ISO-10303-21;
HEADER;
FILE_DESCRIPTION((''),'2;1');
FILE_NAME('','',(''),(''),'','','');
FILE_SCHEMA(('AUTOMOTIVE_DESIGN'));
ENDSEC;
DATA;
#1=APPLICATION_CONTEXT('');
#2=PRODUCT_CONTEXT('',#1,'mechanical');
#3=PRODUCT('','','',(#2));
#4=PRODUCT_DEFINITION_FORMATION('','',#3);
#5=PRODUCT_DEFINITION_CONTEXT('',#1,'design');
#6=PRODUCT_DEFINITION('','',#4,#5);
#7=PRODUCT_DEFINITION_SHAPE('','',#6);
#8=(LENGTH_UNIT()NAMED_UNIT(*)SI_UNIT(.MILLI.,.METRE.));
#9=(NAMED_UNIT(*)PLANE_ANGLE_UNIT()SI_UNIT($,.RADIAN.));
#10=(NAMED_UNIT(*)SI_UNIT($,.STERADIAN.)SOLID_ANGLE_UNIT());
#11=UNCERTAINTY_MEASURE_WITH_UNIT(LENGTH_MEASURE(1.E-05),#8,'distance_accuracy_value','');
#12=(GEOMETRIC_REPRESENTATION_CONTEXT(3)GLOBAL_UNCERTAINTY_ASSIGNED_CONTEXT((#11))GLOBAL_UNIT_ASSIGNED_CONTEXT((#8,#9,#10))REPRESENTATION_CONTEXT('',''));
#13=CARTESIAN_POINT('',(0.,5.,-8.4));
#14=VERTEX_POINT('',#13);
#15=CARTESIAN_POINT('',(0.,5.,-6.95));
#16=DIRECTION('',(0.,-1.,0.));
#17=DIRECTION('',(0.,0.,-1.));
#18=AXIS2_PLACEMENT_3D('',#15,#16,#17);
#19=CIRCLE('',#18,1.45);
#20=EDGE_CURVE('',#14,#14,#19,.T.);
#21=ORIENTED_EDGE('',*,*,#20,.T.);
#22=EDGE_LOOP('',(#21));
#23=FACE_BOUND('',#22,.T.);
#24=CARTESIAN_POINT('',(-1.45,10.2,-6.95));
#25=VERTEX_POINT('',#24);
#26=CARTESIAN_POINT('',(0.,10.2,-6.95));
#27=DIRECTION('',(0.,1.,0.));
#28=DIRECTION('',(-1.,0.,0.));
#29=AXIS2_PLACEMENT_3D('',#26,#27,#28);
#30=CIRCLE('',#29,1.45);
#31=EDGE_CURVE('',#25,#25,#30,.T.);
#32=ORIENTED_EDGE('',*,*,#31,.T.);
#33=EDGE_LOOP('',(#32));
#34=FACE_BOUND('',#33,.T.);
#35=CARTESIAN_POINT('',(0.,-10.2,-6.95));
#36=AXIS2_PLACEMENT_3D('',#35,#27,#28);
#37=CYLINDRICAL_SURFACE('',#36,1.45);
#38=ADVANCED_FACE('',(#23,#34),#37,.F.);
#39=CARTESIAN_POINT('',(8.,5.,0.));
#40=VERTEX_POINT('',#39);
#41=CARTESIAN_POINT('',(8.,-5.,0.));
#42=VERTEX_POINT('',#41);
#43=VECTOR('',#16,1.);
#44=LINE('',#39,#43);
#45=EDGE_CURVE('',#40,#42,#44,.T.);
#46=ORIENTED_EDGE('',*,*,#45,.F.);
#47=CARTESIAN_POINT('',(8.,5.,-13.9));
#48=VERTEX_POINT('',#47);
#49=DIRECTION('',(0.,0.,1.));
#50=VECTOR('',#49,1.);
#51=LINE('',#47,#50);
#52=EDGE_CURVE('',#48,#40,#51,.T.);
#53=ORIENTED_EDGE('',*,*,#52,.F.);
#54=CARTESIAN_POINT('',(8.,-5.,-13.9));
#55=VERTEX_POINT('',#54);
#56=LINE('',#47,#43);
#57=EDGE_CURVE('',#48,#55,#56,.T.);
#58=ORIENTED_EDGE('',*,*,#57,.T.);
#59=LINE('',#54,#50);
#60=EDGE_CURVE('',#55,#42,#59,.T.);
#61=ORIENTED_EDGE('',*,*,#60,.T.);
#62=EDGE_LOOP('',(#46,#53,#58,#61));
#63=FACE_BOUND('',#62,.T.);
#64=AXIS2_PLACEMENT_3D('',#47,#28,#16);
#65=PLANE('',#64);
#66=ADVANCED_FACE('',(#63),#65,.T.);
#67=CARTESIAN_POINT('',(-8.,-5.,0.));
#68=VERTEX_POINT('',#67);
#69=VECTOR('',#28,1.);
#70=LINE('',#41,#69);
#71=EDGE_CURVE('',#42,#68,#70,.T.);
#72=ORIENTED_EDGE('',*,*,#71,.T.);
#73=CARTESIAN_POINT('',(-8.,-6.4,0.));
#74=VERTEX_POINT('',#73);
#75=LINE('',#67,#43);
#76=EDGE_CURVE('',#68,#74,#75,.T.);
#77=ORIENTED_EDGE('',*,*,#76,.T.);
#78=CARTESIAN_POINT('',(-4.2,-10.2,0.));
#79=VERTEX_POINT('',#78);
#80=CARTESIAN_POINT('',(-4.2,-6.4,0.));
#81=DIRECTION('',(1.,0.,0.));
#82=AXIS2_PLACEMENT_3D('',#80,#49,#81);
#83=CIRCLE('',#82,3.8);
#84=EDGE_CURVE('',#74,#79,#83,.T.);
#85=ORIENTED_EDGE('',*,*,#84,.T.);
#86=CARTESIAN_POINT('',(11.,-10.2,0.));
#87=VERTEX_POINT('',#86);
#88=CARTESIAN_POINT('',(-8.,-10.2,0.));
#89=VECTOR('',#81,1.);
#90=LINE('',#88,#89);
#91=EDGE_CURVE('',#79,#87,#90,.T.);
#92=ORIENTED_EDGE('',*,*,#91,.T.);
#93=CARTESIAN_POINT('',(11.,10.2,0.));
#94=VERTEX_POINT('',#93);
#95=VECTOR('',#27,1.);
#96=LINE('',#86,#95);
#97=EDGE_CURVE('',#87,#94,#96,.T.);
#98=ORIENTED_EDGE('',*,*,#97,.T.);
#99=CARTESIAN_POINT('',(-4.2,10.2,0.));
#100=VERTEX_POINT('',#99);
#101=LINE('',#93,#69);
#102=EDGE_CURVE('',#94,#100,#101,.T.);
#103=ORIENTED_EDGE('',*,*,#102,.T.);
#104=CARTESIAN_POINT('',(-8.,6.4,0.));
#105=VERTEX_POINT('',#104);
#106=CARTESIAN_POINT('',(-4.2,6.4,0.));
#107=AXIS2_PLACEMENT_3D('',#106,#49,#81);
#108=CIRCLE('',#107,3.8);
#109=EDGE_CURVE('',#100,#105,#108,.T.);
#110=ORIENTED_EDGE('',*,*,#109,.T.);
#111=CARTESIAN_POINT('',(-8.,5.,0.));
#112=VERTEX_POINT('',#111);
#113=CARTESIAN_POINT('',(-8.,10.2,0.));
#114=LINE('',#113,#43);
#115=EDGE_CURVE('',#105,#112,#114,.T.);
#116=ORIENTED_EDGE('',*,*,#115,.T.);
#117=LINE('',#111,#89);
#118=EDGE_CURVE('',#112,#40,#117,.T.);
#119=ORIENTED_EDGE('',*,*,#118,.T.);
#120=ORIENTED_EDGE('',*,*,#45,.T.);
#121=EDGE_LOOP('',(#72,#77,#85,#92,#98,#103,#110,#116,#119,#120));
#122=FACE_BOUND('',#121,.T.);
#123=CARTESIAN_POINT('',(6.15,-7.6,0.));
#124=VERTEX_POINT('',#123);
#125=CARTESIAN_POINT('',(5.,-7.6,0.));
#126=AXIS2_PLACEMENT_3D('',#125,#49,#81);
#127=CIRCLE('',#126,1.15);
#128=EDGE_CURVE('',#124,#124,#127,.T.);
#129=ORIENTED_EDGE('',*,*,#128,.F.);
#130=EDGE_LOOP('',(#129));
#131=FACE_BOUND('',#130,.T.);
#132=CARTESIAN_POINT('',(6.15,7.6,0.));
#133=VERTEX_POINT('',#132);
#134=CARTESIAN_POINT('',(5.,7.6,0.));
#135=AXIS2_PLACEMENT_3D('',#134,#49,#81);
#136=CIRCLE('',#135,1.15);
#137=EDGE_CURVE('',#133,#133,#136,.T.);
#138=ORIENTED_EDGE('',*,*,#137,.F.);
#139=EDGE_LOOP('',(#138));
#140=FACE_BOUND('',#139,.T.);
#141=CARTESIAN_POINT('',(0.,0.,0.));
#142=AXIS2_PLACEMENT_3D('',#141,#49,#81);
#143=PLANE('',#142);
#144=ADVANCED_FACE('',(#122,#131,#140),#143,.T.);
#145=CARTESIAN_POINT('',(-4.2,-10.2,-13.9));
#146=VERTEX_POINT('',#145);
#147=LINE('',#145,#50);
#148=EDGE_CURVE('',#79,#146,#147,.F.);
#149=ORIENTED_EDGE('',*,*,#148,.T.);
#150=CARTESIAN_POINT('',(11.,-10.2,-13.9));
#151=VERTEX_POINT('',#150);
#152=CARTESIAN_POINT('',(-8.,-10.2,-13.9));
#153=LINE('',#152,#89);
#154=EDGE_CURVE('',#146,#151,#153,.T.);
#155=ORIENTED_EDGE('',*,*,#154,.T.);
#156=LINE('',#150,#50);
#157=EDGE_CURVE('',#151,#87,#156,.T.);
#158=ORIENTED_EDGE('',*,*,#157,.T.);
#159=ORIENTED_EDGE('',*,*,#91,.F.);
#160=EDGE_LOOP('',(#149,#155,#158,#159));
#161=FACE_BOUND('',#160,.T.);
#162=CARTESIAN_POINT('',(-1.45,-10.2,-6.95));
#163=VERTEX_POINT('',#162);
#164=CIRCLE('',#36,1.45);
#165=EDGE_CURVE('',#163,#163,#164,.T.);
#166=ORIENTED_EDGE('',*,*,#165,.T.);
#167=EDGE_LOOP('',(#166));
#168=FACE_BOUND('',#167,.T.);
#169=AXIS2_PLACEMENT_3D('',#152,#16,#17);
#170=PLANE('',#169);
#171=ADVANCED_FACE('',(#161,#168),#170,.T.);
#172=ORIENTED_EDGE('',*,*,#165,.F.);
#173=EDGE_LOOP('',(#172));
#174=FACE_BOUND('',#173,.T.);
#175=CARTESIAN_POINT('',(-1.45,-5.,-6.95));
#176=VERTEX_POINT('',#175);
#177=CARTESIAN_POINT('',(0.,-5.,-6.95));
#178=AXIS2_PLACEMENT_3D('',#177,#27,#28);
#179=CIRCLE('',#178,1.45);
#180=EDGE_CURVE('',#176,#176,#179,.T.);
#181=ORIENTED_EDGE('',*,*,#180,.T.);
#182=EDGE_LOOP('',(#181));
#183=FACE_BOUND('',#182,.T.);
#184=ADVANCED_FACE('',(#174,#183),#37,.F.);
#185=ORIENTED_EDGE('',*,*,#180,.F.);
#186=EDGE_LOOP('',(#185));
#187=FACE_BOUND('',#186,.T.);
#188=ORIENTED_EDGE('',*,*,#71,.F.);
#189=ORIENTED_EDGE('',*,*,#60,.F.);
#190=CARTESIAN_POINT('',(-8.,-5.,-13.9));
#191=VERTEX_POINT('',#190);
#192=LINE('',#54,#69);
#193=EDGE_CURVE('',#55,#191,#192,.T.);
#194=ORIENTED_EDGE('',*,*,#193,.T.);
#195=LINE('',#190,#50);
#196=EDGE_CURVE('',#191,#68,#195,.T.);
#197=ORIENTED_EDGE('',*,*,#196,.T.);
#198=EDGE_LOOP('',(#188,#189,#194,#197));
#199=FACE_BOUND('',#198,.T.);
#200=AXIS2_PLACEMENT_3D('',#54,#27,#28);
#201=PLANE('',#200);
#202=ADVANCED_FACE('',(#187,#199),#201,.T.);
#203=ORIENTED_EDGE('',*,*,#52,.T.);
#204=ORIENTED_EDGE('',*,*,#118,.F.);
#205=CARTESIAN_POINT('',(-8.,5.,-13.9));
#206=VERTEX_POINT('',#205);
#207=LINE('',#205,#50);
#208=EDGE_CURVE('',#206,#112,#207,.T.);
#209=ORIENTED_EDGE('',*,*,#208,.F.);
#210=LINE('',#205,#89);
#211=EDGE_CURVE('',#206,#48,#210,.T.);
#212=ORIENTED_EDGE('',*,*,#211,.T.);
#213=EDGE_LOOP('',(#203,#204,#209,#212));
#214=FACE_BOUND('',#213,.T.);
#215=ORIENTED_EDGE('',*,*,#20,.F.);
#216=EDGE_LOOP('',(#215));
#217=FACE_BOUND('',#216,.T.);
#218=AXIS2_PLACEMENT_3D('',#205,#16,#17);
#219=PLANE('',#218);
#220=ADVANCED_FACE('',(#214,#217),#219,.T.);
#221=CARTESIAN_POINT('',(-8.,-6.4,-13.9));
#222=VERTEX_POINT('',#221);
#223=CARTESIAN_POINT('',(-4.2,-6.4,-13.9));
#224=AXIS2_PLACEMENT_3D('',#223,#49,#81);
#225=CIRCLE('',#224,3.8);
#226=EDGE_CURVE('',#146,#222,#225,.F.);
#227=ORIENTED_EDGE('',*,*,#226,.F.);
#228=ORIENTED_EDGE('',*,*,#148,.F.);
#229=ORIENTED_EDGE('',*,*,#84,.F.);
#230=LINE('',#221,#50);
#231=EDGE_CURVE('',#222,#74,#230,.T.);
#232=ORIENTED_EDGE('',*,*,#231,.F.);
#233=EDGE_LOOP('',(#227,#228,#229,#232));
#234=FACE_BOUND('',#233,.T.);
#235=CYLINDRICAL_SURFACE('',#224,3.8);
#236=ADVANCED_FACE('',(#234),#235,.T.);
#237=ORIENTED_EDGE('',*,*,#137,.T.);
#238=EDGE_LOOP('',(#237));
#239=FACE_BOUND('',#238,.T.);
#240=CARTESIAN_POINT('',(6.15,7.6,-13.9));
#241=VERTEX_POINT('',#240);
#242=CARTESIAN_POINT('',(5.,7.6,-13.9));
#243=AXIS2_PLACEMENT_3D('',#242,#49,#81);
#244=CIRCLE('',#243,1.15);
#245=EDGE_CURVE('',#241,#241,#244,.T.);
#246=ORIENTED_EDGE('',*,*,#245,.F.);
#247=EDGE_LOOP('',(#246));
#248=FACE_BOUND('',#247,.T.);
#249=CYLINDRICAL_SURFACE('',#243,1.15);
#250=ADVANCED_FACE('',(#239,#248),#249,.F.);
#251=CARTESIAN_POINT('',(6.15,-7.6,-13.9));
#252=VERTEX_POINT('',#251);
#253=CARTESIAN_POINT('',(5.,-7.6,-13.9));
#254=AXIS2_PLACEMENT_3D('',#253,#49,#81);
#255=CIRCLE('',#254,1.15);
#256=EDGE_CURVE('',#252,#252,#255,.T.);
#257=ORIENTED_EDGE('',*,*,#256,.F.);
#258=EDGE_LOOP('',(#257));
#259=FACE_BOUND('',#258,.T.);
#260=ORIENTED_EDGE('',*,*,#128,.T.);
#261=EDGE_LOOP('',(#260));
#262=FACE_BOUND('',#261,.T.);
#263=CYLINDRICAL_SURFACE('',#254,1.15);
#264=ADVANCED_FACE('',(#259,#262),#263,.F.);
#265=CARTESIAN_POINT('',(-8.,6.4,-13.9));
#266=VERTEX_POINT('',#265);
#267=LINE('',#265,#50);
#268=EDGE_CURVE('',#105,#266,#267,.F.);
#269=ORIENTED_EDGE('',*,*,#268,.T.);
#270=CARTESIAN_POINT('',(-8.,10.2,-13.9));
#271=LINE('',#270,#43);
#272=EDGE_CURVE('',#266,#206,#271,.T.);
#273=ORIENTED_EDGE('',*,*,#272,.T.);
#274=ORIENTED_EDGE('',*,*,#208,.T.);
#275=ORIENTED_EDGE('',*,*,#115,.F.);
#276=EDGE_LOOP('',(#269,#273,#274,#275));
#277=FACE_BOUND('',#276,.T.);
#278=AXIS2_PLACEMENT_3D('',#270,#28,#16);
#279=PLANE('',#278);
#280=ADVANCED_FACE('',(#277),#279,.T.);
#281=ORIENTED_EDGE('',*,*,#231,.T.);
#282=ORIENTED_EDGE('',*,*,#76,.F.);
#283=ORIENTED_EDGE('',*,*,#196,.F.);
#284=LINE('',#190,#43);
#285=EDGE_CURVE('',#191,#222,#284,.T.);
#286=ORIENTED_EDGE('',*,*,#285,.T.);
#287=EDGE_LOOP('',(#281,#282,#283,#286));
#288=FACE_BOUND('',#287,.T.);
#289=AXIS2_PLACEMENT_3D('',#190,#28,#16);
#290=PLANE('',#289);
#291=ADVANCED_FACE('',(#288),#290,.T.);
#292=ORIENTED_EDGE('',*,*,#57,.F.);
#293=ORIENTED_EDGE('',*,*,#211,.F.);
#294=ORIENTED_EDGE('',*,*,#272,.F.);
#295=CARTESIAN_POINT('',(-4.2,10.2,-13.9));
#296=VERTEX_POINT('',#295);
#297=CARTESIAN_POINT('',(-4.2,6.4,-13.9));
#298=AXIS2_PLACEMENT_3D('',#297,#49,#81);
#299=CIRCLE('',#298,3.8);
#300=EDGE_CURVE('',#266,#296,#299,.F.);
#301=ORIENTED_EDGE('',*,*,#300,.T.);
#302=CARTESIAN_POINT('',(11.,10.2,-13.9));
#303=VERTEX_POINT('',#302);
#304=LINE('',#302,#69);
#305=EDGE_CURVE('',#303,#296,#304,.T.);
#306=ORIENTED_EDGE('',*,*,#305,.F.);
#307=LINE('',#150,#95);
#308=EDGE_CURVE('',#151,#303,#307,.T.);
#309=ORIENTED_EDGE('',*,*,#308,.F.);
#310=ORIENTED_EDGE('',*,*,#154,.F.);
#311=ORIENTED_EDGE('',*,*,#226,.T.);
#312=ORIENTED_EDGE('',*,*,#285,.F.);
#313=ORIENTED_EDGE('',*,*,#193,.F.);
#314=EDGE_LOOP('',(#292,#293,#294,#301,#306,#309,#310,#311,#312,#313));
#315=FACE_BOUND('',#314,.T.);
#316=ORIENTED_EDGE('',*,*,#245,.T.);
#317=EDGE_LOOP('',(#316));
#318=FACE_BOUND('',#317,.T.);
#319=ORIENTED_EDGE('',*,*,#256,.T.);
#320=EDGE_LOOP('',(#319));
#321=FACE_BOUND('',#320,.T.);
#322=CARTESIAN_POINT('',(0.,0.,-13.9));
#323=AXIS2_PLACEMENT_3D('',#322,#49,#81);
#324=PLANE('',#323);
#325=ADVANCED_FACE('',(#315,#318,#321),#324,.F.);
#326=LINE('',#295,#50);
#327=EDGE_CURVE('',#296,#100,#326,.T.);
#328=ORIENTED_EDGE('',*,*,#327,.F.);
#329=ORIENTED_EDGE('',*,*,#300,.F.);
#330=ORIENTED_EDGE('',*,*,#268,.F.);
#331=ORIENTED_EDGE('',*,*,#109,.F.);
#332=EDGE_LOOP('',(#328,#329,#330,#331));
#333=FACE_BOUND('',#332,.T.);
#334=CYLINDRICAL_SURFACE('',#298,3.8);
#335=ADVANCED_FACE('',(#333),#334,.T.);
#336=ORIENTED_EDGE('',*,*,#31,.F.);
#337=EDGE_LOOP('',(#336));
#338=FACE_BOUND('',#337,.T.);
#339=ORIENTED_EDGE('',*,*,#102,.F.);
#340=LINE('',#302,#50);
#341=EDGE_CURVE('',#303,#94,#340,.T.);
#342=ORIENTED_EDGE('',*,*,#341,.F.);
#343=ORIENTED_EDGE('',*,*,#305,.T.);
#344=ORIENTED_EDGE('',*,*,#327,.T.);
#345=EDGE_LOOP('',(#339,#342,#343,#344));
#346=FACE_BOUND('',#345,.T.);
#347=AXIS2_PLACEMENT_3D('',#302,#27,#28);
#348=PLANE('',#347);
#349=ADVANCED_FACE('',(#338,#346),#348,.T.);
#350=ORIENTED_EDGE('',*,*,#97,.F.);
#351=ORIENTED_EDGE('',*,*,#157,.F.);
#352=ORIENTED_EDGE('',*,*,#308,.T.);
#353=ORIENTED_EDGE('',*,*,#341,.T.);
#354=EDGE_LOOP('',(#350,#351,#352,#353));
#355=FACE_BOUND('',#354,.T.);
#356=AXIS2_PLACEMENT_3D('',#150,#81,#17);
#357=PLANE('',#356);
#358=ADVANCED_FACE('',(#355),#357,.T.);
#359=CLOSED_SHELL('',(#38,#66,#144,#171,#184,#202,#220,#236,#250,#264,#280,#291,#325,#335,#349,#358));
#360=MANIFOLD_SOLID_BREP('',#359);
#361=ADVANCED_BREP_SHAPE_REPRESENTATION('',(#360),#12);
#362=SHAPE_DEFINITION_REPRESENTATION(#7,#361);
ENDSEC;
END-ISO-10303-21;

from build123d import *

# Parameters (mm, degrees)
BOSS_EXTRUDE2_DEPTH     = 13.9
CUT_EXTRUDE1_DEPTH      = 21.451161336
CUT_EXTRUDE1_DEPTH_BACK = 21.451161336
SKETCH2_R               = 1.15
SKETCH3_R               = 1.45
CUT_EXTRUDE2_DEPTH      = 28.025358462
FILLET1_R               = 3.8


with BuildPart() as part:
    # Sketch1 → Boss-Extrude2 (new body)
    with BuildSketch(Plane.XY):
        Polygon((-8, 10.2), (-8, 5), (8, 5), (8, -5), (-8, -5), (-8, -10.2), (11, -10.2), (11, 10.2), align=None)
    extrude(amount=-BOSS_EXTRUDE2_DEPTH)

    # Sketch2 → Cut-Extrude1 (cut, two sides: drawn at the far end of the back side and taken through both)
    with BuildSketch(Plane.XY.offset(-CUT_EXTRUDE1_DEPTH_BACK)):
        with Locations((5, 7.6)):
            Circle(SKETCH2_R)
        with Locations((5, -7.6)):
            Circle(SKETCH2_R)
    extrude(amount=CUT_EXTRUDE1_DEPTH + CUT_EXTRUDE1_DEPTH_BACK, mode=Mode.SUBTRACT)

    # Sketch3 → Cut-Extrude2 (cut, through all)
    with BuildSketch(Plane(origin=(0, 10.2, 0), x_dir=(1, 0, 0), z_dir=(0, 1, 0))):
        with Locations(Location((0, 6.95, 0), (0, 0, 180))):
            Circle(SKETCH3_R)
    extrude(amount=-CUT_EXTRUDE2_DEPTH, mode=Mode.SUBTRACT)

    # Fillet1
    fillet1_edges = [part.edges().sort_by_distance(p)[0] for p in [
        (-8, -10.2, -6.95),
        (-8, 10.2, -6.95),
    ]]
    fillet(fillet1_edges, radius=FILLET1_R)


solid = part.part
